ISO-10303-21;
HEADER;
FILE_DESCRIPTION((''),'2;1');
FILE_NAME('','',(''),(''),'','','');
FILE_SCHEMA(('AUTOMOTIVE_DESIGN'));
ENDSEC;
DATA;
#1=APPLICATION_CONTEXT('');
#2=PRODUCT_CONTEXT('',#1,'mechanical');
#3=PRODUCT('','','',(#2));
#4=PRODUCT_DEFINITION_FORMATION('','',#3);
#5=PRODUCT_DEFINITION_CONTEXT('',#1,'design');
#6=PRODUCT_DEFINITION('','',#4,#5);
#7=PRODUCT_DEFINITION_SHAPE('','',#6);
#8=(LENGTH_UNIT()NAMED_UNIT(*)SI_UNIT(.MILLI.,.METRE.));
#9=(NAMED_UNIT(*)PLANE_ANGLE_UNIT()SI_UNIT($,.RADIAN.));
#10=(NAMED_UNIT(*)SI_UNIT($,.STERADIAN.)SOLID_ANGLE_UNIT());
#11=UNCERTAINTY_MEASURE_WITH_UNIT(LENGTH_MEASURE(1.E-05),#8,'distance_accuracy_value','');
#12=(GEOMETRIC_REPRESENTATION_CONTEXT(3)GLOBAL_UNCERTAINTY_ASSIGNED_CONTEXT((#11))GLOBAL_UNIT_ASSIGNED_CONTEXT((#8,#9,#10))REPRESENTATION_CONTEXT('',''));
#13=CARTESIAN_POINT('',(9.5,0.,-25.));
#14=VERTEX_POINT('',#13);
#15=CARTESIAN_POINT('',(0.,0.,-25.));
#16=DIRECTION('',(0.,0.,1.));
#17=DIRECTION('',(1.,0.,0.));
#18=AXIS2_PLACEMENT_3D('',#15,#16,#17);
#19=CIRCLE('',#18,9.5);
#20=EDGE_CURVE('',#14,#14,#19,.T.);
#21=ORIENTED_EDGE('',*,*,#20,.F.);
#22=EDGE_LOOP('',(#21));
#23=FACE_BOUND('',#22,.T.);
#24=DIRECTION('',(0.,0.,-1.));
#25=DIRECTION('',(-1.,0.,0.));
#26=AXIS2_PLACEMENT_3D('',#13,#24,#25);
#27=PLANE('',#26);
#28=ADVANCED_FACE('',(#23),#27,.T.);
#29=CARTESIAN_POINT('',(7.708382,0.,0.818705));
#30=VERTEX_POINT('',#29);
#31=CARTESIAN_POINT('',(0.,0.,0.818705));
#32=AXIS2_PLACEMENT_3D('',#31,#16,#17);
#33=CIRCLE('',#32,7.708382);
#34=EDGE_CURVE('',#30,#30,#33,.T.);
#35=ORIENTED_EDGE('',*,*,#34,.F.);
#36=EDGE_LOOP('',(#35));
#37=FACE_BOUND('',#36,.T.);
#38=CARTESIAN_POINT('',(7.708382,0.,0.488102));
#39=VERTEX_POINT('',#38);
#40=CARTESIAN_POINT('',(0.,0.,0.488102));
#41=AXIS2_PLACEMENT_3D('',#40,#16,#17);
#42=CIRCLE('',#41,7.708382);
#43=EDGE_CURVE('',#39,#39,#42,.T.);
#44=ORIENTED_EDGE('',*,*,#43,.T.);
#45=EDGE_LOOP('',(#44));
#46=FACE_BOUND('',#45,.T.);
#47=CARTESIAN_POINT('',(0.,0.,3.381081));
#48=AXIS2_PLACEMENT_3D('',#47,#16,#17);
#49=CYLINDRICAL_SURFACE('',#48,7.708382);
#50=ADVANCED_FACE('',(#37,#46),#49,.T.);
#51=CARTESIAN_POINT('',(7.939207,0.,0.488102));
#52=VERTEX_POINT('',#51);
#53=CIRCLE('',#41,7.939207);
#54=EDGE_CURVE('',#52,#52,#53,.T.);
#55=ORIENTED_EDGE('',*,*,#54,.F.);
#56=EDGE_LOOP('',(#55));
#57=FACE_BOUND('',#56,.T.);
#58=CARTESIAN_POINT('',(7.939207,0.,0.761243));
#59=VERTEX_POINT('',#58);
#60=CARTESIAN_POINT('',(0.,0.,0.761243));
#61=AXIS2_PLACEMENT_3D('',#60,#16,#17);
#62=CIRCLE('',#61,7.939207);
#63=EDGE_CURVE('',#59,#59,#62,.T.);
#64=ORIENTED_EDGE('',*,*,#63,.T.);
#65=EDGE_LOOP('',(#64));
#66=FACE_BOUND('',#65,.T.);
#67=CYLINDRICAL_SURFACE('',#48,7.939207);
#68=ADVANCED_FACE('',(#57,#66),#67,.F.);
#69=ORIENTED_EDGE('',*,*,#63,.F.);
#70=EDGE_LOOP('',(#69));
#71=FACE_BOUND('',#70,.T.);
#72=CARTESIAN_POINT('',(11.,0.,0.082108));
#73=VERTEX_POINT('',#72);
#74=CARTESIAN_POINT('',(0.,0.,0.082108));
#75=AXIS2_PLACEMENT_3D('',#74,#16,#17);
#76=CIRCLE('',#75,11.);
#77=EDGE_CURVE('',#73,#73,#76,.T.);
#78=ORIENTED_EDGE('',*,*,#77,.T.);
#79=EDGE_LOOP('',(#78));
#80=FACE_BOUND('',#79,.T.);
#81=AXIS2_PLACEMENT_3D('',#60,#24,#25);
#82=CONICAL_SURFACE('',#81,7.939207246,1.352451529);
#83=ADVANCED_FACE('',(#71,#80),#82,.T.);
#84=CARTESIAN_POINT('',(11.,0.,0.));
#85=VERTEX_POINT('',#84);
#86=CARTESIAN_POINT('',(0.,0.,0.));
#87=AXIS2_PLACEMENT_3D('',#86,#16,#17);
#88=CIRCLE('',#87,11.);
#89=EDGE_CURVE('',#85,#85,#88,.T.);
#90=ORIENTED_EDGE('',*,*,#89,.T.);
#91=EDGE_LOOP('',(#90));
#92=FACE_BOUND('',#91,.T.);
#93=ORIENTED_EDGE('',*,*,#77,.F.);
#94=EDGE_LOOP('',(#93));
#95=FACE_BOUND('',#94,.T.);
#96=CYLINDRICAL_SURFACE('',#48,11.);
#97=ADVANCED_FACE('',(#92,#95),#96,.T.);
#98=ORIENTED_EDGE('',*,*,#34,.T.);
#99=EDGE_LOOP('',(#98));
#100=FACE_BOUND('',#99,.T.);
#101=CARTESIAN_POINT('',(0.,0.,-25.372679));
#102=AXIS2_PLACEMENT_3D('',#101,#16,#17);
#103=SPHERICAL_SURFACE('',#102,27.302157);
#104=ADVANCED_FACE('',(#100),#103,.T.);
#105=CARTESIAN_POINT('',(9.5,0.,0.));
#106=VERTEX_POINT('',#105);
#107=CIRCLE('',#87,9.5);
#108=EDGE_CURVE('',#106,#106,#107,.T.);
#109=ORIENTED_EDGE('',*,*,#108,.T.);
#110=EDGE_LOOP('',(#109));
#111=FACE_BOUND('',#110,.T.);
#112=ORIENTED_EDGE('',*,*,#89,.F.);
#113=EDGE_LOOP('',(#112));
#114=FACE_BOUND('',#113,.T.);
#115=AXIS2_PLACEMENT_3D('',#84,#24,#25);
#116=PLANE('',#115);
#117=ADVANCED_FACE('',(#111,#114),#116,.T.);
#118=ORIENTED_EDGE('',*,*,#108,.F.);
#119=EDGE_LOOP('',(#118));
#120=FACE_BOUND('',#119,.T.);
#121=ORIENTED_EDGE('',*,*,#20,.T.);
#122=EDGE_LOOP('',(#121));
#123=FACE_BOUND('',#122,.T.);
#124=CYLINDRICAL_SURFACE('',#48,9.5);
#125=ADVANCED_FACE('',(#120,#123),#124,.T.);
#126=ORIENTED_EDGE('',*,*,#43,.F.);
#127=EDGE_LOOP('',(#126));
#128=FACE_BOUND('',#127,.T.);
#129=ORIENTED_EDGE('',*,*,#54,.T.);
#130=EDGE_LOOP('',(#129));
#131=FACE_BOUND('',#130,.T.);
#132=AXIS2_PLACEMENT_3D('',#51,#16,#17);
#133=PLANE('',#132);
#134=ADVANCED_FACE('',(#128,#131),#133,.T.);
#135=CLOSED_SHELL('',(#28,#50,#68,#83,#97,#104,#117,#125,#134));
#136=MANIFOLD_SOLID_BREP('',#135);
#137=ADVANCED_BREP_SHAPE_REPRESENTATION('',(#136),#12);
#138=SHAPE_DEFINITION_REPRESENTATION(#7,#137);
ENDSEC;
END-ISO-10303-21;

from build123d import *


with BuildPart() as part:
    # Skica1 → Rotovat1 (revolve)
    with BuildSketch(Plane(origin=(0, 0, 0), x_dir=(1, 0, 0), z_dir=(0, 1, 0))):
        with BuildLine():
            Line((9.5, 0), (9.5, 25))
            Line((9.5, 25), (0, 25))
            Line((0, 25), (0, -1.929477619))
            ThreePointArc((0, -1.929477619), (3.894000592, -1.650357757), (7.70838162, -0.818705261))
            Line((7.70838162, -0.818705261), (7.70838162, -0.488101593))
            Line((7.70838162, -0.488101593), (7.939207246, -0.488101593))
            Line((7.939207246, -0.488101593), (7.939207246, -0.761243378))
            Line((7.939207246, -0.761243378), (11, -0.082108279))
            Line((11, -0.082108279), (11, 0))
            Line((11, 0), (9.5, 0))
        make_face()
    revolve(axis=Axis((0, 0, 3.381080674), (0, 0, -1)))


solid = part.part
